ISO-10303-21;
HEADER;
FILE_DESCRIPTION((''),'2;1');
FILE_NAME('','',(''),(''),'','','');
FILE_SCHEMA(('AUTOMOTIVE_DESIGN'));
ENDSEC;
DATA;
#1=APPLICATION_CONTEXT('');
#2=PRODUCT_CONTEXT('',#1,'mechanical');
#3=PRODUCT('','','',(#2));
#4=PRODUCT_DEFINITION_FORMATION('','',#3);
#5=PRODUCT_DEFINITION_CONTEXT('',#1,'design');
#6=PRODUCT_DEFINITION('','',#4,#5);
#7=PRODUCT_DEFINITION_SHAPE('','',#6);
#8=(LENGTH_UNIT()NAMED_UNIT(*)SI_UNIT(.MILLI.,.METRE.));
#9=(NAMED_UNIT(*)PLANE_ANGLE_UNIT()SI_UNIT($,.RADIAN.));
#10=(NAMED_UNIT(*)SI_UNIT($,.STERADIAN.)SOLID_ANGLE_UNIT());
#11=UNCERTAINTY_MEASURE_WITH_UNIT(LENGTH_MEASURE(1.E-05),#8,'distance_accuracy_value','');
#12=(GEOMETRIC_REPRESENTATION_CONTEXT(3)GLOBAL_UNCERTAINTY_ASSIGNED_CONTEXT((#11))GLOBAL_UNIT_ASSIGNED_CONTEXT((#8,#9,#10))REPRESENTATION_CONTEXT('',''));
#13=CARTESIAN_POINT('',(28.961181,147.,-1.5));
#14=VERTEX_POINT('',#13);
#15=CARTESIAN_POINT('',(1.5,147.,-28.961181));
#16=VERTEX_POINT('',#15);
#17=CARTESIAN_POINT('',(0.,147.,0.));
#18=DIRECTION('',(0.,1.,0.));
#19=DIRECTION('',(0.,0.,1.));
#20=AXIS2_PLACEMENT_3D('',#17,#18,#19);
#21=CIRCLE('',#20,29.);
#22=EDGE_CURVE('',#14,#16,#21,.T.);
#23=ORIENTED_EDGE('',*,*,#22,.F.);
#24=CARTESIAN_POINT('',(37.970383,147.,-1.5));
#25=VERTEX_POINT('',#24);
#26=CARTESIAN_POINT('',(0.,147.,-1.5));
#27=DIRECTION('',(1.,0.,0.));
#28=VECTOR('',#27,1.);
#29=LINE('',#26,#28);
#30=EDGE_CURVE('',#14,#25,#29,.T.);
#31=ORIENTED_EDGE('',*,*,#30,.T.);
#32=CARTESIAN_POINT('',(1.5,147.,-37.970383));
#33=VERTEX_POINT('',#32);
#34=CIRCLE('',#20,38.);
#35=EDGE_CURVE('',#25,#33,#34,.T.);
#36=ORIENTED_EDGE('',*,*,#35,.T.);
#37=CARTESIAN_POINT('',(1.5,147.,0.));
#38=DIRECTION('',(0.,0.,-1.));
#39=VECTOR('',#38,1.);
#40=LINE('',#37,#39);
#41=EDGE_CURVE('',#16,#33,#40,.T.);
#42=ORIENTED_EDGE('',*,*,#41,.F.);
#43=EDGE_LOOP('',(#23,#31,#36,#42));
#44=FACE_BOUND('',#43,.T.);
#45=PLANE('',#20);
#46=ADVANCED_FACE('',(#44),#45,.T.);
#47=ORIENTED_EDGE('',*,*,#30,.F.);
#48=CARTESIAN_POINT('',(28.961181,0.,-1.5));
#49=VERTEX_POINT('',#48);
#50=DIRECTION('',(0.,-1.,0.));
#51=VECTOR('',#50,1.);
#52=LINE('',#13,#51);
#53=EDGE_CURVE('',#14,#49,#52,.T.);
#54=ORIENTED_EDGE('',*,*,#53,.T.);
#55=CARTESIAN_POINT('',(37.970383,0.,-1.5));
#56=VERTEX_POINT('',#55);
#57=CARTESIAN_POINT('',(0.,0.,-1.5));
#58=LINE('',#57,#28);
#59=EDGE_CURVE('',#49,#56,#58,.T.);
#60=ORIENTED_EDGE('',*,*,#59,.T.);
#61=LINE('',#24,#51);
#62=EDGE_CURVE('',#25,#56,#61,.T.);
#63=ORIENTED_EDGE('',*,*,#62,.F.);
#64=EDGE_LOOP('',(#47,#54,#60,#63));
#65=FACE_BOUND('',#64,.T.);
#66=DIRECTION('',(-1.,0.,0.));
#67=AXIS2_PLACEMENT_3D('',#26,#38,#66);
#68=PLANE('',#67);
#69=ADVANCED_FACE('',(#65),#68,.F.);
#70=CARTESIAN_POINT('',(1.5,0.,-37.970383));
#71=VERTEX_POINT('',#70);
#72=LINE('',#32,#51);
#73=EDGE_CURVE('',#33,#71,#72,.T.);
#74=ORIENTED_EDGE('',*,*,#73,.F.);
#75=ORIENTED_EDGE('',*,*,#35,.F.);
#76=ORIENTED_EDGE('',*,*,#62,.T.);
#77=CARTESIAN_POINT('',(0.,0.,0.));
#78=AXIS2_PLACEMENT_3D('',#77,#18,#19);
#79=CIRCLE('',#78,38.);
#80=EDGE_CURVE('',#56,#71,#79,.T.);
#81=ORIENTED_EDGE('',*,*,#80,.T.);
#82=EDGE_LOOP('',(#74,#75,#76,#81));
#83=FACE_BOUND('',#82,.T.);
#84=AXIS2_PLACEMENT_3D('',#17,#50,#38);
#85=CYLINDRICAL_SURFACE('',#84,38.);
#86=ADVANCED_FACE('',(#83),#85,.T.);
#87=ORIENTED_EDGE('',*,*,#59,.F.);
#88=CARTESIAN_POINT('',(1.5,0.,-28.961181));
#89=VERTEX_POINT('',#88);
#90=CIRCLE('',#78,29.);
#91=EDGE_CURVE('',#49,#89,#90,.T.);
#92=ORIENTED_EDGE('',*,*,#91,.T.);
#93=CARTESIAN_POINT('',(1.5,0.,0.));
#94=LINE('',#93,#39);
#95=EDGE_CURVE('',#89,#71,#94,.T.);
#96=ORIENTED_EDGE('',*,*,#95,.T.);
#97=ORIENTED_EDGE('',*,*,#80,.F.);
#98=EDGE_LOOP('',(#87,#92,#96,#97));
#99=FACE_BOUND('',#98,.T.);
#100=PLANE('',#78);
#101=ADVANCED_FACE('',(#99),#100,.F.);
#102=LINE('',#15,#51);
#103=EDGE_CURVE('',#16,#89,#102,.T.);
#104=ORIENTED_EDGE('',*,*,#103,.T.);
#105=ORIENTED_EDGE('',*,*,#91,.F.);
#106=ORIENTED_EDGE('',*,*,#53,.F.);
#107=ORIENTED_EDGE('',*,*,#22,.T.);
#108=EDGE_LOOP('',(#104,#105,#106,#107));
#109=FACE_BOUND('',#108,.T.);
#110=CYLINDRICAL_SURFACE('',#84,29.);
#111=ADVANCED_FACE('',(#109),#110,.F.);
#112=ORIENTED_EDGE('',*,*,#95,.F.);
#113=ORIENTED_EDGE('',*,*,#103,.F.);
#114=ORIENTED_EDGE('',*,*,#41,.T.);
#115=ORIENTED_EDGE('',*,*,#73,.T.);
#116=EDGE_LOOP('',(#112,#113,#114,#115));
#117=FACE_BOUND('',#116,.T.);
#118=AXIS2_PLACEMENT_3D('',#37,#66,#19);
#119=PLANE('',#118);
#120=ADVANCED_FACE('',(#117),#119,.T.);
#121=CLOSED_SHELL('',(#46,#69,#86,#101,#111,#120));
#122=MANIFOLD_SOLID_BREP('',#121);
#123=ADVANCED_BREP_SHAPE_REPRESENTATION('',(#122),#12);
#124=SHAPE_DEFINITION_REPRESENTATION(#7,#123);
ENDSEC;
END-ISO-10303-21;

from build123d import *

# Parameters (mm, degrees)
BOSS_EXTRUDE1_DEPTH = 147


with BuildPart() as part:
    # Sketch1 → Boss-Extrude1 (new body)
    with BuildSketch(Plane(origin=(0, 0, 0), x_dir=(1, 0, 0), z_dir=(0, 1, 0))):
        with BuildLine():
            Line((28.961180915, 1.5), (37.970383195, 1.5))
            ThreePointArc((37.970383195, 1.5), (26.870057685, 26.870057685), (1.5, 37.970383195))
            Line((1.5, 37.970383195), (1.5, 28.961180915))
            ThreePointArc((1.5, 28.961180915), (20.506096654, 20.506096654), (28.961180915, 1.5))
        make_face()
    extrude(amount=BOSS_EXTRUDE1_DEPTH)


solid = part.part
